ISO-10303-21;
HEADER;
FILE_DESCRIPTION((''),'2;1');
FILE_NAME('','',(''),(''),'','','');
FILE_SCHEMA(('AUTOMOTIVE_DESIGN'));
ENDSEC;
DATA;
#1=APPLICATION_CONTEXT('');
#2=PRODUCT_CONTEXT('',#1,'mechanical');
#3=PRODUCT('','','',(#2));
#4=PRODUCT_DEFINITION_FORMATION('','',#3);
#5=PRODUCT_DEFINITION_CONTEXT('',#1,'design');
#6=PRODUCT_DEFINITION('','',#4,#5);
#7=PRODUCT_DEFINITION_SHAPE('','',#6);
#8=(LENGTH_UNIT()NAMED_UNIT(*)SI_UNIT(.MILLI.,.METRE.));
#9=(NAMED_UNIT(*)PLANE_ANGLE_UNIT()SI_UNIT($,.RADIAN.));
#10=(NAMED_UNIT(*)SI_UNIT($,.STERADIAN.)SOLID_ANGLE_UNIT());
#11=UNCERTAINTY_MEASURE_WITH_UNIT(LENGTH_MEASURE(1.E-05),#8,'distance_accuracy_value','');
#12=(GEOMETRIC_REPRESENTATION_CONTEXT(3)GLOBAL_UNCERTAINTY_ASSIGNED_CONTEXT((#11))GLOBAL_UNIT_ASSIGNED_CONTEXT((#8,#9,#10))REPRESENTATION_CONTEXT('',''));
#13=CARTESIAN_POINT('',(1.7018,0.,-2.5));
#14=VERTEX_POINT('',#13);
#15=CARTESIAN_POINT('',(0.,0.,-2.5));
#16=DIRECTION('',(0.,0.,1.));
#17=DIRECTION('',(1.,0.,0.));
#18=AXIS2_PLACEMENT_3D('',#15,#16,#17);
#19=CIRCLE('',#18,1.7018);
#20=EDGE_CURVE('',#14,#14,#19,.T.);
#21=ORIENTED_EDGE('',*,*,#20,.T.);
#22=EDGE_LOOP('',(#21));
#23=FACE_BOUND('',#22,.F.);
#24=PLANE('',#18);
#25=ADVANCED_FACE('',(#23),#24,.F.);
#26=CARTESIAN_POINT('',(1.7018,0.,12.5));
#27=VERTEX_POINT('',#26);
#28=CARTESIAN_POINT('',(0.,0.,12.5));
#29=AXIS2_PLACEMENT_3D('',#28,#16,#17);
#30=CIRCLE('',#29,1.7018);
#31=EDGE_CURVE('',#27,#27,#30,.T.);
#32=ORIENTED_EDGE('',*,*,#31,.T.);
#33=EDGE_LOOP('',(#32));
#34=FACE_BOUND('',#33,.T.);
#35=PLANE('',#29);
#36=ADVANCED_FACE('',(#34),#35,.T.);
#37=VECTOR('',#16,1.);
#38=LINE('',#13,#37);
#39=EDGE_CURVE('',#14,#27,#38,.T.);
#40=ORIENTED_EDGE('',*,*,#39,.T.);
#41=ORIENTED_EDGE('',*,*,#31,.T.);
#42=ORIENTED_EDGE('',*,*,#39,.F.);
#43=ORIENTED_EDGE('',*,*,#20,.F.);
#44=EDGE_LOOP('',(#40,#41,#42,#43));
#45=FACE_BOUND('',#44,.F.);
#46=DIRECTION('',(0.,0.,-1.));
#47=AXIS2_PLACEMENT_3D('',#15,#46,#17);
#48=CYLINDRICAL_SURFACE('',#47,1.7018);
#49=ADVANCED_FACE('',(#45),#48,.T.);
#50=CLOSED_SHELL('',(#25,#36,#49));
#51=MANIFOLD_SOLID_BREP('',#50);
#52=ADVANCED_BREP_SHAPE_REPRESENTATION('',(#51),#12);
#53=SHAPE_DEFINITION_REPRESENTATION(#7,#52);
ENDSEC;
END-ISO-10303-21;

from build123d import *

# Parameters (mm, degrees)
CYLINDER_R     = 1.7018
CYLINDER_DEPTH = 15


with BuildPart() as part:
    # Cylinder → Cylinder (new body)
    with BuildSketch(Plane.XY.offset(-2.5)):
        Circle(CYLINDER_R)
    extrude(amount=CYLINDER_DEPTH)


solid = part.part
